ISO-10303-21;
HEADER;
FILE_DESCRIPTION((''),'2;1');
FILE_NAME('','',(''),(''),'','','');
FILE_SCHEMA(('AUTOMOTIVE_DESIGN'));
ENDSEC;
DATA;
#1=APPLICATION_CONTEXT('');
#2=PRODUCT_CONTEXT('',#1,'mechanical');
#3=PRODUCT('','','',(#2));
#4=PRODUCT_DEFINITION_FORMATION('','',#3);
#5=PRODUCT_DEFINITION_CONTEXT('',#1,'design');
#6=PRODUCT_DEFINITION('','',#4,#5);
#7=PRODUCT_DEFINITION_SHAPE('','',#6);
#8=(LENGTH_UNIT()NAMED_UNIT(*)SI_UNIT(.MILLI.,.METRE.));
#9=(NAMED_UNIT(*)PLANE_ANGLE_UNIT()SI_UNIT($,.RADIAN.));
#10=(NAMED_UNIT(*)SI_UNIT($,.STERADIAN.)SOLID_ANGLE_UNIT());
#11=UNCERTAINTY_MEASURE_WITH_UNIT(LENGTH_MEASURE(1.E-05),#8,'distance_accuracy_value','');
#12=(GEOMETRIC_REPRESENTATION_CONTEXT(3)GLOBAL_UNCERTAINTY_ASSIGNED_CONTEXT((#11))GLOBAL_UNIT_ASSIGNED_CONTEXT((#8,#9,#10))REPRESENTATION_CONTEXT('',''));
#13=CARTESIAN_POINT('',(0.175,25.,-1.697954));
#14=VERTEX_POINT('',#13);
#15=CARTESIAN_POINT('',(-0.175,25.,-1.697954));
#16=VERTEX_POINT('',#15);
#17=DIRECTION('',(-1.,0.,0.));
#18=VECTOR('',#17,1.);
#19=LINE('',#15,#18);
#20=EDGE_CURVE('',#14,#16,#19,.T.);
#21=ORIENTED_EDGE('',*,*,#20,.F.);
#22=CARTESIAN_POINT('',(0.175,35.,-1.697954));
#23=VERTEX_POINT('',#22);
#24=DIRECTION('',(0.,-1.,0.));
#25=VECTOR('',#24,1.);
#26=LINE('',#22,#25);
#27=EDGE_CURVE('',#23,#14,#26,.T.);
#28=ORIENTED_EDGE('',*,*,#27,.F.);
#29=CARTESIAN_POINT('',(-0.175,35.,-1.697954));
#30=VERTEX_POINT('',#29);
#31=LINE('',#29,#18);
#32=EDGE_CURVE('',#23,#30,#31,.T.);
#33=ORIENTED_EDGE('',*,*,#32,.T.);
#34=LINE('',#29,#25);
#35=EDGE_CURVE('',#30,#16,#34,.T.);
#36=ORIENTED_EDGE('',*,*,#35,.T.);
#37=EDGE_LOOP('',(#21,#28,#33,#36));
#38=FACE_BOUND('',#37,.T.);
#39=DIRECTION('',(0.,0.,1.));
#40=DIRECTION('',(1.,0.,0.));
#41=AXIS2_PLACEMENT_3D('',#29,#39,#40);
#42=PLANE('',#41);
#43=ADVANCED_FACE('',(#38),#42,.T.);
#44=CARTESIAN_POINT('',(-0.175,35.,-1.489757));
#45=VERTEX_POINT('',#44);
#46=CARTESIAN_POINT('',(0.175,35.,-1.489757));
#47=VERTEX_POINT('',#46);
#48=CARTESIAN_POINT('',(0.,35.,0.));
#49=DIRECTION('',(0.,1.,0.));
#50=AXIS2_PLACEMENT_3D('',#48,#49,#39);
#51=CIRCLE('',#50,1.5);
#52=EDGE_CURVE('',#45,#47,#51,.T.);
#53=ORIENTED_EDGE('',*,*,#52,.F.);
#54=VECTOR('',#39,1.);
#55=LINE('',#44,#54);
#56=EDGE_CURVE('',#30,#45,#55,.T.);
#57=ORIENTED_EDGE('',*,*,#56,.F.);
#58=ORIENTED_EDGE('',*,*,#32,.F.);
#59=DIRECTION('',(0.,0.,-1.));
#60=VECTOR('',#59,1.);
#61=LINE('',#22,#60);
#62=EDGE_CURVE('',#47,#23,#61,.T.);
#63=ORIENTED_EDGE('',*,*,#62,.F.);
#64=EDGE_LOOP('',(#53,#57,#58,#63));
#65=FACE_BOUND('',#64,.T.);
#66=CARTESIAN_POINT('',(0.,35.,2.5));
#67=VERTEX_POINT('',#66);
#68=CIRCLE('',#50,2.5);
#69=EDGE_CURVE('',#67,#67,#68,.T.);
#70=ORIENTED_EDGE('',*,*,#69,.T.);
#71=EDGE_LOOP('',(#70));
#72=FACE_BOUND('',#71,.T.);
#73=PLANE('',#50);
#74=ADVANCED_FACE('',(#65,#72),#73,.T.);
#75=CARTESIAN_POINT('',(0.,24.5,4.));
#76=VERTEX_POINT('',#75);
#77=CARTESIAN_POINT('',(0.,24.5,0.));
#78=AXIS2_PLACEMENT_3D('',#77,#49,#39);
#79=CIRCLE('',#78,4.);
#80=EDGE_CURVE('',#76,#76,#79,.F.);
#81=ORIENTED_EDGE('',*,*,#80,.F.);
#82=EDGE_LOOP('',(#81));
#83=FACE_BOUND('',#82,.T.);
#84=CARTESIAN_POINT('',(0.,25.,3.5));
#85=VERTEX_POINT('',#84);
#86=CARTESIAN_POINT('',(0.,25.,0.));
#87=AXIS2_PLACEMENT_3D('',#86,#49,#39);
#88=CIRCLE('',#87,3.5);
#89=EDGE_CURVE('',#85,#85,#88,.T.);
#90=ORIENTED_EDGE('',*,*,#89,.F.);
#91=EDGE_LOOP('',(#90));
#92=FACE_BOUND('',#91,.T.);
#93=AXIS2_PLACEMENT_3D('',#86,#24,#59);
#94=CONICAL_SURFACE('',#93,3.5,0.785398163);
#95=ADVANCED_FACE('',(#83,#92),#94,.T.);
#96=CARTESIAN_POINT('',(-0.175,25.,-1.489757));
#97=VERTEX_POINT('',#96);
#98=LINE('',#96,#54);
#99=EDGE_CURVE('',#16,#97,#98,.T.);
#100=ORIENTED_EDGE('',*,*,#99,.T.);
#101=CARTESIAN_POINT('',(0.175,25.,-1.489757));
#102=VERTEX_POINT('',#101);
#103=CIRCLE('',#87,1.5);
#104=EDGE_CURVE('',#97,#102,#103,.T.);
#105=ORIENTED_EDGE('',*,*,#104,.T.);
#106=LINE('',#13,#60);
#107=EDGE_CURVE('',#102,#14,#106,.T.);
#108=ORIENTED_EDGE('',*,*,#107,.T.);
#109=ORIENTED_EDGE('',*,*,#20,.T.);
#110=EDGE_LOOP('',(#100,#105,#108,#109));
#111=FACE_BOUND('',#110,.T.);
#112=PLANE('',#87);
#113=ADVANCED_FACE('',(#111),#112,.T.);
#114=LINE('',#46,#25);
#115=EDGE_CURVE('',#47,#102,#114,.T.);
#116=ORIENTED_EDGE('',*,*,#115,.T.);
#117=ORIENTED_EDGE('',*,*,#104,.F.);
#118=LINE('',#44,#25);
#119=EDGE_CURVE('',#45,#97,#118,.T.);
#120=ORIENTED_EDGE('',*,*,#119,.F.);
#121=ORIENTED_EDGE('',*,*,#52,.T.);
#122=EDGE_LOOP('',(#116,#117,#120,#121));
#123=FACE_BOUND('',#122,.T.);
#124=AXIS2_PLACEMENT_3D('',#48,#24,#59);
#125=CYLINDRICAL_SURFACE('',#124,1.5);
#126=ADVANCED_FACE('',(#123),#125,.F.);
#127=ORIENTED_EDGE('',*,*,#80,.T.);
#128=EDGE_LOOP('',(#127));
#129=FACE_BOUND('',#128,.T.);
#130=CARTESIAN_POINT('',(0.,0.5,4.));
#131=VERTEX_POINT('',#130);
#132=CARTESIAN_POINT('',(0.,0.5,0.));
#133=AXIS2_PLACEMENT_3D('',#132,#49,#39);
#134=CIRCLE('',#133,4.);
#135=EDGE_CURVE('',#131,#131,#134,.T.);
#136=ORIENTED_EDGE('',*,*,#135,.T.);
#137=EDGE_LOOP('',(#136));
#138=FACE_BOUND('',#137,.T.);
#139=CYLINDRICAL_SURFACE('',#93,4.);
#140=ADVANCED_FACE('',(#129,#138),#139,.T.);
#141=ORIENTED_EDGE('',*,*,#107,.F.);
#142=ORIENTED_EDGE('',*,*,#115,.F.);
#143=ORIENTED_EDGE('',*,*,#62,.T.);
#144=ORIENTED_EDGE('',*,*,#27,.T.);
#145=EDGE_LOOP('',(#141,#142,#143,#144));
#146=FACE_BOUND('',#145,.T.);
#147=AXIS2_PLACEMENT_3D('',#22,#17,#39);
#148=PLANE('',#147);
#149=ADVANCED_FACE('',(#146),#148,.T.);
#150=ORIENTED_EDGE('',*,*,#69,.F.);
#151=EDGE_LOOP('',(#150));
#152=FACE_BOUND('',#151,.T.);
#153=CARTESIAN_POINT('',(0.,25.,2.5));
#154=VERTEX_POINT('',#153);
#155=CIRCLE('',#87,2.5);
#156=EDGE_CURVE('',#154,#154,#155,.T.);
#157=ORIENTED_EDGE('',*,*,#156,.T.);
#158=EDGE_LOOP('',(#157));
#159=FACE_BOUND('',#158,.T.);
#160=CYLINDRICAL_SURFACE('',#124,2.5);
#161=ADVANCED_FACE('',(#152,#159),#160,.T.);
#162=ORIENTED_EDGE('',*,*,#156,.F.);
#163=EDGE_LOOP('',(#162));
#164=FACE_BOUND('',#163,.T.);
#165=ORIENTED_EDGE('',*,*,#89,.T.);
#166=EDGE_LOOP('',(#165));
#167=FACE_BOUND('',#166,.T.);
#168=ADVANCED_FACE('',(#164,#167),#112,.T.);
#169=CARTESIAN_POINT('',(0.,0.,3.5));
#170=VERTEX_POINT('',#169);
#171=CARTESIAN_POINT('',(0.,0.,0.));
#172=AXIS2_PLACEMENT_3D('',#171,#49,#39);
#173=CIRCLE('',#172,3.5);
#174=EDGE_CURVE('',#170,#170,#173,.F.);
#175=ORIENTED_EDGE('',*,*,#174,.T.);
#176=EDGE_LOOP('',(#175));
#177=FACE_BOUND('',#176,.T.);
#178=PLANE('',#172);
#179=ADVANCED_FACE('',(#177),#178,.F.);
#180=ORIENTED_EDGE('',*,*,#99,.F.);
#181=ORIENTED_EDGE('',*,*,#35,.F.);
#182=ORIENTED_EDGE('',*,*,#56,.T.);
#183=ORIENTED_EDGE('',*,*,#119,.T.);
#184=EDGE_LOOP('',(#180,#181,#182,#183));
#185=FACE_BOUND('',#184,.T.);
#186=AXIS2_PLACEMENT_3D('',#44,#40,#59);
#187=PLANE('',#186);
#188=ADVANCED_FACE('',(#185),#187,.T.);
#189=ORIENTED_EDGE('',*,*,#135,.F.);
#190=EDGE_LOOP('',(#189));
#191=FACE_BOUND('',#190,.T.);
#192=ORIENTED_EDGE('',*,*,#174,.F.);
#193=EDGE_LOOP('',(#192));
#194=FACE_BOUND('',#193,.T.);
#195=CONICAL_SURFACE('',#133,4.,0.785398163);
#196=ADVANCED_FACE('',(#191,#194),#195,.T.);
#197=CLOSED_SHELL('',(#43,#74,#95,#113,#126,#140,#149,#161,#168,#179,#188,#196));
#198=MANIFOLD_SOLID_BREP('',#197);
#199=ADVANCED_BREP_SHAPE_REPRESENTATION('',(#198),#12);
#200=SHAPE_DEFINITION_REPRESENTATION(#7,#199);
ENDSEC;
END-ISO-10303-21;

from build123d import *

# Parameters (mm, degrees)
CROQUIS1_R              = 4
SALIENTE_EXTRUIR1_DEPTH = 25
CROQUIS2_R              = 2.5
SALIENTE_EXTRUIR2_DEPTH = 10
CHAFL_N1_SIZE           = 0.5
CHAFL_N2_SIZE           = 0.5


with BuildPart() as part:
    # Croquis1 → Saliente-Extruir1 (new body)
    with BuildSketch(Plane(origin=(0, 0, 0), x_dir=(1, 0, 0), z_dir=(0, 1, 0))):
        with Locations(Location((0, 0, 0), (0, 0, 270))):
            Circle(CROQUIS1_R)
    extrude(amount=SALIENTE_EXTRUIR1_DEPTH)

    # Croquis2 → Saliente-Extruir2 (add)
    with BuildSketch(Plane(origin=(0, 25, 0), x_dir=(1, 0, 0), z_dir=(0, 1, 0))):
        with Locations(Location((0, 0, 0), (0, 0, 270))):
            Circle(CROQUIS2_R)
        with BuildLine():
            Line((-0.175, 1.489756692), (-0.175, 1.697953702))
            Line((-0.175, 1.697953702), (0.175, 1.697953702))
            Line((0.175, 1.697953702), (0.175, 1.489756692))
            ThreePointArc((0.175, 1.489756692), (0, -1.5), (-0.175, 1.489756692))
        make_face(mode=Mode.SUBTRACT)
    extrude(amount=SALIENTE_EXTRUIR2_DEPTH)

    # Chaflán1
    chafl_n1_edges = [part.edges().sort_by_distance(p)[0] for p in [
        (0, 25, -4),
    ]]
    chamfer(chafl_n1_edges, length=CHAFL_N1_SIZE)

    # Chaflán2
    chafl_n2_edges = [part.edges().sort_by_distance(p)[0] for p in [
        (0, 0, -4),
    ]]
    chamfer(chafl_n2_edges, length=CHAFL_N2_SIZE)


solid = part.part
